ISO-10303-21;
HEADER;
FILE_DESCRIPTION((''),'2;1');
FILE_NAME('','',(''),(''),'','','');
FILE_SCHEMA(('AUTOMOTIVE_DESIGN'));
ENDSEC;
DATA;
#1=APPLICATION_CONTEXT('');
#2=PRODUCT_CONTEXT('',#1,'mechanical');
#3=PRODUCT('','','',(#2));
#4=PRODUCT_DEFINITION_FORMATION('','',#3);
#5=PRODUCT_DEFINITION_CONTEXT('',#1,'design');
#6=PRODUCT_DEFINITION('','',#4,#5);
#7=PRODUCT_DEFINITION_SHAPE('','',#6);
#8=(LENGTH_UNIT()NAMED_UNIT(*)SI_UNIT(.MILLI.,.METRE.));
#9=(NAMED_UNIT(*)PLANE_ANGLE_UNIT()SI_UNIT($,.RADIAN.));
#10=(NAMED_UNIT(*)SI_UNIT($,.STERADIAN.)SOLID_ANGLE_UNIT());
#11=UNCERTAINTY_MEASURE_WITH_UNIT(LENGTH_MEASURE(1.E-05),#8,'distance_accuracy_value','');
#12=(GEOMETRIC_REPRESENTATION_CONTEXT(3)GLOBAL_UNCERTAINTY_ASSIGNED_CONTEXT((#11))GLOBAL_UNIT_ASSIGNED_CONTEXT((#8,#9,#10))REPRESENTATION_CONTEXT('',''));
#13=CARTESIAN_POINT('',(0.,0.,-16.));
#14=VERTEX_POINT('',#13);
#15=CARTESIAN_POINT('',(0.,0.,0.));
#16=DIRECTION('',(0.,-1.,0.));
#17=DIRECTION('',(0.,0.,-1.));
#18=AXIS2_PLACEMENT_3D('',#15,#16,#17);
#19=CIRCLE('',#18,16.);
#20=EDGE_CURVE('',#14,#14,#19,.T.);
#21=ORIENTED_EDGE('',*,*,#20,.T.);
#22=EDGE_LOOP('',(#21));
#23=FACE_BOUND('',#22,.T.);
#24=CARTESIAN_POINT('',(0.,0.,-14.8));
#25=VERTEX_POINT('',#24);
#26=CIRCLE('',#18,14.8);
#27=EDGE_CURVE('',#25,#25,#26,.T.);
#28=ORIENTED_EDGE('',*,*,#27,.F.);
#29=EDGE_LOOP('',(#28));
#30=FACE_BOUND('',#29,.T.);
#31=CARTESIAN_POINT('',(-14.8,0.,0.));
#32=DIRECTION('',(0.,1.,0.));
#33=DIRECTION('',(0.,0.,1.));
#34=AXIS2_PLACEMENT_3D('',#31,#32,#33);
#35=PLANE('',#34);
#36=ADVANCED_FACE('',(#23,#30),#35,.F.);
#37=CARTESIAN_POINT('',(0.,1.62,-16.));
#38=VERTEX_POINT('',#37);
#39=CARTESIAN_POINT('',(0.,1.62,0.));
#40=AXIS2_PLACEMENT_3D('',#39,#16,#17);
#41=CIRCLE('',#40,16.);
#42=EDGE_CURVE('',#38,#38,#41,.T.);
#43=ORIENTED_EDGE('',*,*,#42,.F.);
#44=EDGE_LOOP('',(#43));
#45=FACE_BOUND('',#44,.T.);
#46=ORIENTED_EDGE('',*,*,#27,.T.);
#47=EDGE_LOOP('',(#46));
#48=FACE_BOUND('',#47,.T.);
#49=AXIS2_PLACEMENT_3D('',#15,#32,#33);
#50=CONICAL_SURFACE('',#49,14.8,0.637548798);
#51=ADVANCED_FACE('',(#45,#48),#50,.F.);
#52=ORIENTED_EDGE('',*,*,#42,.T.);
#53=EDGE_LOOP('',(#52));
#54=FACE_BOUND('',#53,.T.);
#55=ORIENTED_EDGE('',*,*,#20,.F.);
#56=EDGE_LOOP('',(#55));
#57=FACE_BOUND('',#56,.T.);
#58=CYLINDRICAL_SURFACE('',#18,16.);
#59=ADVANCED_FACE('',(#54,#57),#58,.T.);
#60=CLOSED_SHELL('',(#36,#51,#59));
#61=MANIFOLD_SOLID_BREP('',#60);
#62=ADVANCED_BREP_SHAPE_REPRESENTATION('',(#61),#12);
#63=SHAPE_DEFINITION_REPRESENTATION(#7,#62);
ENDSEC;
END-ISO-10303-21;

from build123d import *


with BuildPart() as part:
    # Sketch1 → Revolve1 (revolve)
    with BuildSketch(Plane.XY):
        Polygon((-16, 0), (-16, 1.62), (-14.8, 0), align=None)
    revolve(axis=Axis((0, 0, 0), (0, 1, 0)))


solid = part.part
